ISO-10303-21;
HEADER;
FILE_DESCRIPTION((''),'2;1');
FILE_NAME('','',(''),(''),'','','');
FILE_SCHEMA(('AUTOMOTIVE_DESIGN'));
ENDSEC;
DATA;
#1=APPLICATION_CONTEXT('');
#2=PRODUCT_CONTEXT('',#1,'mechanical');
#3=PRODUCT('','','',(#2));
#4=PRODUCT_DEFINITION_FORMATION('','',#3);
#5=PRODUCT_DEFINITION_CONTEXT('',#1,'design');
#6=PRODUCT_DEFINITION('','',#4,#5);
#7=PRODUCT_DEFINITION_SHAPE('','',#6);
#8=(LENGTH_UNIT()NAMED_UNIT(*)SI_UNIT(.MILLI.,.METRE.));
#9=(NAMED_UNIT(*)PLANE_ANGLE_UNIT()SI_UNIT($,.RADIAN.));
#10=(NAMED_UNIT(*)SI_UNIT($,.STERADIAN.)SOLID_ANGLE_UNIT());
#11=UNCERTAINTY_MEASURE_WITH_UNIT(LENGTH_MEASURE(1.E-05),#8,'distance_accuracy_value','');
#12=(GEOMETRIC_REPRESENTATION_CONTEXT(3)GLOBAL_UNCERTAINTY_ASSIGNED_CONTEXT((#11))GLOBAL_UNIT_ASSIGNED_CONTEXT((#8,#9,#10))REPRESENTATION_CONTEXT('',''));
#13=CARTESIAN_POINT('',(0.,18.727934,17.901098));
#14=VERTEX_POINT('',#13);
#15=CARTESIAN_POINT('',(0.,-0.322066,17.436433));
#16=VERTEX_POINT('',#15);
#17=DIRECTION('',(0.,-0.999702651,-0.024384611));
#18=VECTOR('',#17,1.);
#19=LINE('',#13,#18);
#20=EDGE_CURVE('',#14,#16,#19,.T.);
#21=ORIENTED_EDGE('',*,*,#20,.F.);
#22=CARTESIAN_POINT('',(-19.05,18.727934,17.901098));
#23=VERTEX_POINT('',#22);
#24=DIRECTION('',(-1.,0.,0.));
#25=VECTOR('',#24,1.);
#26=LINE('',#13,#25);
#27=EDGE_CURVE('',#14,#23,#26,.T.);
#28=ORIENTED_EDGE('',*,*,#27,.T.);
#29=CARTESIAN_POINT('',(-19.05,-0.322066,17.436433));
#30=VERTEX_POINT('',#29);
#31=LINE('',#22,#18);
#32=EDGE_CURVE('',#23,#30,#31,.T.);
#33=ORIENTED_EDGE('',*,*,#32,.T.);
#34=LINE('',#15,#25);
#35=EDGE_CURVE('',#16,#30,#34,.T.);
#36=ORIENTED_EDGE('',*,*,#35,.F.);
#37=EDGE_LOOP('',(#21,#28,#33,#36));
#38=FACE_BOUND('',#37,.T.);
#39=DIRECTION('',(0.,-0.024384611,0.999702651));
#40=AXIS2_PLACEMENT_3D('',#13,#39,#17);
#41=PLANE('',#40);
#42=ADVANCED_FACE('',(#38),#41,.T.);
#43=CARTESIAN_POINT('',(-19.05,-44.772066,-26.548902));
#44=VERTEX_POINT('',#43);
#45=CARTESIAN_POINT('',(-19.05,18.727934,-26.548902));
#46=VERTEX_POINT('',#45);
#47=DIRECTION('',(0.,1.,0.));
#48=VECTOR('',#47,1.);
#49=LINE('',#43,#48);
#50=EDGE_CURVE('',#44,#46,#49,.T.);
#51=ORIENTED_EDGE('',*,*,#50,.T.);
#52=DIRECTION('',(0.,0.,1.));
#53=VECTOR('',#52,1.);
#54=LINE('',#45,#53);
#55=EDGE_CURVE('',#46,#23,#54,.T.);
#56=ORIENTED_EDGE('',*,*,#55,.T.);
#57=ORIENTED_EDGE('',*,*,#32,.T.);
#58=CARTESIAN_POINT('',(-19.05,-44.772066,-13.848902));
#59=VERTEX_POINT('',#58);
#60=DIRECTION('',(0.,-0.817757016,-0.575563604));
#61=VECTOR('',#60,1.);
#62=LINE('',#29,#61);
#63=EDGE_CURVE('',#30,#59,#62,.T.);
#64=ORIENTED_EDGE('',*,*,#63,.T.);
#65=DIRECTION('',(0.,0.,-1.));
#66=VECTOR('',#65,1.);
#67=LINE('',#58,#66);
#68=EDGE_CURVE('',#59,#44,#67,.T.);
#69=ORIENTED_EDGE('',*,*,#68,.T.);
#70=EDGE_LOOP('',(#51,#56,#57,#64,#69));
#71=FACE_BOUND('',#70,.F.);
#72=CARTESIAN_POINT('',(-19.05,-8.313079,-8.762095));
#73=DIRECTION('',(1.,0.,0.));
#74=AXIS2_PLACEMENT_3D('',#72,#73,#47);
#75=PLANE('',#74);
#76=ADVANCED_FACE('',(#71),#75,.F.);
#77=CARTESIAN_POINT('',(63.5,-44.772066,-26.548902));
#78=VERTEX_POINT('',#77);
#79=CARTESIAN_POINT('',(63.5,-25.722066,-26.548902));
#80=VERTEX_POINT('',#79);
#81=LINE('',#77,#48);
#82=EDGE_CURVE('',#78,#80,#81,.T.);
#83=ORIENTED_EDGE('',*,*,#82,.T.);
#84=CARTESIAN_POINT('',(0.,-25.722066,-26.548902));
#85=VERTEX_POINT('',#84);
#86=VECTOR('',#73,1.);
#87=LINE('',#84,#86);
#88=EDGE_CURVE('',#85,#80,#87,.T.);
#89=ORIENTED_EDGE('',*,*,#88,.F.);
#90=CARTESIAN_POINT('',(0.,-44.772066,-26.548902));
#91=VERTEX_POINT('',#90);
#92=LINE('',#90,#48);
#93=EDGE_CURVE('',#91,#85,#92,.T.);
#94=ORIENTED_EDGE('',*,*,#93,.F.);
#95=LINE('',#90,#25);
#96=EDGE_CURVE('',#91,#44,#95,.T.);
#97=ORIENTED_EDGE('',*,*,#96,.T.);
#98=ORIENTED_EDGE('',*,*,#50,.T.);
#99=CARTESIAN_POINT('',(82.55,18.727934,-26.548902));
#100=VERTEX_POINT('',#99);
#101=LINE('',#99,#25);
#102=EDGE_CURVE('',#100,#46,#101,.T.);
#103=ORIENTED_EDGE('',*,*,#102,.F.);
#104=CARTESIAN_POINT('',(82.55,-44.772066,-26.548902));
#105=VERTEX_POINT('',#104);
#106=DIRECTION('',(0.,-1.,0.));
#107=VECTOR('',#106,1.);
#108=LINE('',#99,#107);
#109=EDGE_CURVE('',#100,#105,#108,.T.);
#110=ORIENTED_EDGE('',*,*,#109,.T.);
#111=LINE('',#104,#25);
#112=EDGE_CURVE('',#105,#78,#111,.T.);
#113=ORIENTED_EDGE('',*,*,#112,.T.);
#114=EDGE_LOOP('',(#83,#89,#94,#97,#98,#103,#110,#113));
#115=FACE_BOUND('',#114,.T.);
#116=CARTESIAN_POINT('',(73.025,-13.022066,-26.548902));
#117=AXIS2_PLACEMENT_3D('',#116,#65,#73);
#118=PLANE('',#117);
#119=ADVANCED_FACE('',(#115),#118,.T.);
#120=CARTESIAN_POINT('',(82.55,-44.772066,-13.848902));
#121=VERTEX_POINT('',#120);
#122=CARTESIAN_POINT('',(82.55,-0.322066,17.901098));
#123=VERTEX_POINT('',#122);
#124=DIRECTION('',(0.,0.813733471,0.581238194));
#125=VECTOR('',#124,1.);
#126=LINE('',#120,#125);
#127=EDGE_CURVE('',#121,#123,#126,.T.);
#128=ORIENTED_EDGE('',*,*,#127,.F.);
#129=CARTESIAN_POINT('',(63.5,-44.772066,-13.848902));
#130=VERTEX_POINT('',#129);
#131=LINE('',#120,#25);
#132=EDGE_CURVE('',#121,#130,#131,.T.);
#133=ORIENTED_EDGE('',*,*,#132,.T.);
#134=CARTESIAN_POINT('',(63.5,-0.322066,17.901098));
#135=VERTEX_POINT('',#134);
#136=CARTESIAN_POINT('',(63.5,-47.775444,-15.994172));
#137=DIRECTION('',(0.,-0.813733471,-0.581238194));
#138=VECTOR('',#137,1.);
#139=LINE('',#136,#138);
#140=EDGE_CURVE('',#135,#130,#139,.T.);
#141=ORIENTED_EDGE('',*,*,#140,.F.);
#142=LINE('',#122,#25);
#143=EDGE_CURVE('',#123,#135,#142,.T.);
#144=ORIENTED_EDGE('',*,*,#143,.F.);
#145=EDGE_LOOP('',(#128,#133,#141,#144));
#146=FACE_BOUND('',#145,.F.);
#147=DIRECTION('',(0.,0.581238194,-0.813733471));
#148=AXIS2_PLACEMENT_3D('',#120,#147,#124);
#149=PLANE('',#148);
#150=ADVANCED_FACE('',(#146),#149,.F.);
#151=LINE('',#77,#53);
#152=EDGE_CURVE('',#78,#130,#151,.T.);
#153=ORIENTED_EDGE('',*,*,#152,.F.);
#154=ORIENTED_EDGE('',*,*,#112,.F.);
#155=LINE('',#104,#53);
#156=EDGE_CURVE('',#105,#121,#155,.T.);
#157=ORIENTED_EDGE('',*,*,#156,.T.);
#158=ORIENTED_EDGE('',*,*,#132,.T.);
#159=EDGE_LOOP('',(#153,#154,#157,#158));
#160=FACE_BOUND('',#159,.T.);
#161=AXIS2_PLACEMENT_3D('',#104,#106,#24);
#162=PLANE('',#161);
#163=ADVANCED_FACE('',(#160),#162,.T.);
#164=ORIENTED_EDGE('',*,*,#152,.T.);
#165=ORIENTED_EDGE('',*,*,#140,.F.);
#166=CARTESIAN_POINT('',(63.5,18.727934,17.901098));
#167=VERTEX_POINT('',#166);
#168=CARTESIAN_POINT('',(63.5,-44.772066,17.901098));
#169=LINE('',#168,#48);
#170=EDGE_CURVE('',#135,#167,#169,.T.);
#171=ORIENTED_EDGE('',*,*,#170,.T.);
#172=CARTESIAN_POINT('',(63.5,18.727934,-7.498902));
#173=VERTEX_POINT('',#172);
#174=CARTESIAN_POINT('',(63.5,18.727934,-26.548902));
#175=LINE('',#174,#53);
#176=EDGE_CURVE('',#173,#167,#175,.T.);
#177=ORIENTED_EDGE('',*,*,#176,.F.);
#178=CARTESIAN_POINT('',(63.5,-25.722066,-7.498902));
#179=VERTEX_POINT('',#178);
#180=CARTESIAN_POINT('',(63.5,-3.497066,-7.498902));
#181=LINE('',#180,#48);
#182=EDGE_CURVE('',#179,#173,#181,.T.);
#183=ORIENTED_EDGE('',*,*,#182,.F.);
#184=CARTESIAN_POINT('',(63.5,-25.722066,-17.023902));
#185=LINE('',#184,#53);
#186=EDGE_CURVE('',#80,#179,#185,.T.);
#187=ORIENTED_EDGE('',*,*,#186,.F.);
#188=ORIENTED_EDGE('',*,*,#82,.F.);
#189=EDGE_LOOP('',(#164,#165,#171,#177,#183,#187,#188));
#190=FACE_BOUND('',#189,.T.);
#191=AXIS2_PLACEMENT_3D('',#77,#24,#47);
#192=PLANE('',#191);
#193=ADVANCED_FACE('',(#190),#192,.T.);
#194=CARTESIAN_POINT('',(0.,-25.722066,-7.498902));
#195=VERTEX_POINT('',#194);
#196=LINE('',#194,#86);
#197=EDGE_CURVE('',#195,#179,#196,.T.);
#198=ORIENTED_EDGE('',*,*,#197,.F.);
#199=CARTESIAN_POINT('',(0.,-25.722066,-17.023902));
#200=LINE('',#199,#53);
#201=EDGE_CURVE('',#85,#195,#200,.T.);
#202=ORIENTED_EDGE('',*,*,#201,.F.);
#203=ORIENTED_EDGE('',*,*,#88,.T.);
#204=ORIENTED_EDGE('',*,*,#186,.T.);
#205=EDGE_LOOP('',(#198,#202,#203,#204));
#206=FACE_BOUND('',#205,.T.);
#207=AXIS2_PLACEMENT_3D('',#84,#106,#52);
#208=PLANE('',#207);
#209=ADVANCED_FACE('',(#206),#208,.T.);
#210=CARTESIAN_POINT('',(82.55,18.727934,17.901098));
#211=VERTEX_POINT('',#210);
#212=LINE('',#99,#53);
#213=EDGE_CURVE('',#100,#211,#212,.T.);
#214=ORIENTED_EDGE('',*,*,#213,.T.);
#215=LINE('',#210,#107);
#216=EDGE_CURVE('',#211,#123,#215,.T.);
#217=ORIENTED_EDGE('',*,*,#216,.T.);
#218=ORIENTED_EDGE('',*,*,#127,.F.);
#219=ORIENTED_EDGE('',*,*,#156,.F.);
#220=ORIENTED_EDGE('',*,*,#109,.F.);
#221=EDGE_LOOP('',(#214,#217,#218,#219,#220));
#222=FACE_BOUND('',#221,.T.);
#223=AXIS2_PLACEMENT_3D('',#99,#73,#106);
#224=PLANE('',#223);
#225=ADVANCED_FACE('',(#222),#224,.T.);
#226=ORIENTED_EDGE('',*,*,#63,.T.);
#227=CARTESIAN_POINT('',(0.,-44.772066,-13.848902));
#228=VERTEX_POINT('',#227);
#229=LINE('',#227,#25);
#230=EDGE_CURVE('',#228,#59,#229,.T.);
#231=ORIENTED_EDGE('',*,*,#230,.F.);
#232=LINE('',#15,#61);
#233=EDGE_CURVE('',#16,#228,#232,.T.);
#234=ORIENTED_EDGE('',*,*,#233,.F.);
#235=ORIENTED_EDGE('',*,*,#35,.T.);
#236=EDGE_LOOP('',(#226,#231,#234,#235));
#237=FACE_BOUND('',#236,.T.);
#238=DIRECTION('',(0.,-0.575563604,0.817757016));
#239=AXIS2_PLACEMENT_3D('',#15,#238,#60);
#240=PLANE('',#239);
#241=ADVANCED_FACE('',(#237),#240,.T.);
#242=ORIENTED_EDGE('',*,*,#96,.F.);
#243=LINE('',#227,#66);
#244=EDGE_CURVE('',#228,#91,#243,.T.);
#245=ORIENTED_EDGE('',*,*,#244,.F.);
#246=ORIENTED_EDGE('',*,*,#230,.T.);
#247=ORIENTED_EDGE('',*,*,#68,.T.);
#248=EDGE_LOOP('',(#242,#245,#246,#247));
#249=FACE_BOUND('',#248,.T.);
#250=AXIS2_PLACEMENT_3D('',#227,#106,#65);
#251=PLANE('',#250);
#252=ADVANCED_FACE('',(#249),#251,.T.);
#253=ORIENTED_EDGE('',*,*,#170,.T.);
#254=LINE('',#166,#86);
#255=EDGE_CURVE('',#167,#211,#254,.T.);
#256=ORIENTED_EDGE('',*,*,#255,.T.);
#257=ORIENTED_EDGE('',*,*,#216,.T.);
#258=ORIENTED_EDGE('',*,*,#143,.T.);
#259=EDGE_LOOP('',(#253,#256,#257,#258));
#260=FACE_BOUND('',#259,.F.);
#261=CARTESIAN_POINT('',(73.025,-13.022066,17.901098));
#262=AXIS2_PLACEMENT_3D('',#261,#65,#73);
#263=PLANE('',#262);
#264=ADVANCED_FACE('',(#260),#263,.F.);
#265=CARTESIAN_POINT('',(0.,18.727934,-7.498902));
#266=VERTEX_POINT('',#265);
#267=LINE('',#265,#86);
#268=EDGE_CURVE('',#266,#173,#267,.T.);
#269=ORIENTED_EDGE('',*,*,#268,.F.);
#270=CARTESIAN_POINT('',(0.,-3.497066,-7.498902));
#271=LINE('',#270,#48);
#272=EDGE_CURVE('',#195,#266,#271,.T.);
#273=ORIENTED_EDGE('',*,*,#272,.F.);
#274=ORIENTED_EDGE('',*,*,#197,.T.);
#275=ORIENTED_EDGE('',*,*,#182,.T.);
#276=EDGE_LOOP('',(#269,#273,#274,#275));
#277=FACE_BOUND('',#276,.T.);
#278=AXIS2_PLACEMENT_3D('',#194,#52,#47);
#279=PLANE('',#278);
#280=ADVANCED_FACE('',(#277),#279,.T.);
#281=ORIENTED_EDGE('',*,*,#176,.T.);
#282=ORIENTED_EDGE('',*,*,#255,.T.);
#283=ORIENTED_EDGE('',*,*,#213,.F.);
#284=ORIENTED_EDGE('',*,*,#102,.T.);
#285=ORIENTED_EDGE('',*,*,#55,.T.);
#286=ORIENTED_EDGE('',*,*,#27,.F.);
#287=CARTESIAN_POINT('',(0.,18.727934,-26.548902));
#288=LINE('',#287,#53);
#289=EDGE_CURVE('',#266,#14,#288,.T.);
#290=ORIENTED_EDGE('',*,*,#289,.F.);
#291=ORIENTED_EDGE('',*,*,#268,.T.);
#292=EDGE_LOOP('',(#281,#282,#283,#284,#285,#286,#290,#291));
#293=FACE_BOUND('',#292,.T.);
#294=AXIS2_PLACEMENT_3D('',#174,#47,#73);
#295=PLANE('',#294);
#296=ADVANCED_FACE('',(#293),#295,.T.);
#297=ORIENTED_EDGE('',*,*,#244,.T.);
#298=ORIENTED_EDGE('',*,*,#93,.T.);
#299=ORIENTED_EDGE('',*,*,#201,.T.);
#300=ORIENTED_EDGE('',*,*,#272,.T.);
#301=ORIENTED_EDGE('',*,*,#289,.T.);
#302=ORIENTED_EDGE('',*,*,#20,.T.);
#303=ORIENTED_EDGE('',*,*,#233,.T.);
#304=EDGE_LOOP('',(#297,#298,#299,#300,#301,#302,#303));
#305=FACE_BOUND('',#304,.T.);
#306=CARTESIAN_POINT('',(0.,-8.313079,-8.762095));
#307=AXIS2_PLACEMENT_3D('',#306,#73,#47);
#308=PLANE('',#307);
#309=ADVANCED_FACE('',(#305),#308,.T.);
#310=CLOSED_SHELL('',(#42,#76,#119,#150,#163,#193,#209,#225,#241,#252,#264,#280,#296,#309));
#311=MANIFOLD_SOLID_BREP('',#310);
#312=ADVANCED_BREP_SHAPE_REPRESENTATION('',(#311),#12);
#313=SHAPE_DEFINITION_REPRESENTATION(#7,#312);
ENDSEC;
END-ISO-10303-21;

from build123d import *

# Parameters (mm, degrees)
F1_DEPTH = 19.05
F2_W     = 44.45
F2_H     = 19.05
F3_DEPTH = 63.5
F5_DEPTH = 44.45
F7_DEPTH = 25.4


with BuildPart() as f1:
    # F0 (on Right) → F1 (new body)
    with BuildSketch(Plane.YZ):
        Polygon((-44.772066, -13.848902), (-44.772066, -26.548902), (18.727934, -26.548902), (18.727934, 17.901098), (-0.322066, 17.436433), align=None)
    extrude(amount=-F1_DEPTH)

    # F2 (on face) → F3 (join)
    with BuildSketch(Plane.YZ):
        with Locations((-3.497066, -17.023902)):
            Rectangle(F2_W, F2_H)
    extrude(amount=F3_DEPTH)

    # F4 (on face) → F5 (join)
    with BuildSketch(Plane(origin=(0, 0, -26.548902), x_dir=(1, 0, 0), z_dir=(0, 0, -1))):
        Polygon((63.5, 25.722066), (63.5, -18.727934), (82.55, -18.727934), (82.55, 44.772066), (63.5, 44.772066), align=None)
    extrude(amount=-F5_DEPTH)

    # F6 (on face) → F7 (cut)
    with BuildSketch(Plane.YZ.offset(82.55)):
        Polygon((-44.772066, 17.901098), (-44.772066, -13.848902), (-0.322066, 17.901098), align=None)
    extrude(amount=-F7_DEPTH, mode=Mode.SUBTRACT)


solid = f1.part
